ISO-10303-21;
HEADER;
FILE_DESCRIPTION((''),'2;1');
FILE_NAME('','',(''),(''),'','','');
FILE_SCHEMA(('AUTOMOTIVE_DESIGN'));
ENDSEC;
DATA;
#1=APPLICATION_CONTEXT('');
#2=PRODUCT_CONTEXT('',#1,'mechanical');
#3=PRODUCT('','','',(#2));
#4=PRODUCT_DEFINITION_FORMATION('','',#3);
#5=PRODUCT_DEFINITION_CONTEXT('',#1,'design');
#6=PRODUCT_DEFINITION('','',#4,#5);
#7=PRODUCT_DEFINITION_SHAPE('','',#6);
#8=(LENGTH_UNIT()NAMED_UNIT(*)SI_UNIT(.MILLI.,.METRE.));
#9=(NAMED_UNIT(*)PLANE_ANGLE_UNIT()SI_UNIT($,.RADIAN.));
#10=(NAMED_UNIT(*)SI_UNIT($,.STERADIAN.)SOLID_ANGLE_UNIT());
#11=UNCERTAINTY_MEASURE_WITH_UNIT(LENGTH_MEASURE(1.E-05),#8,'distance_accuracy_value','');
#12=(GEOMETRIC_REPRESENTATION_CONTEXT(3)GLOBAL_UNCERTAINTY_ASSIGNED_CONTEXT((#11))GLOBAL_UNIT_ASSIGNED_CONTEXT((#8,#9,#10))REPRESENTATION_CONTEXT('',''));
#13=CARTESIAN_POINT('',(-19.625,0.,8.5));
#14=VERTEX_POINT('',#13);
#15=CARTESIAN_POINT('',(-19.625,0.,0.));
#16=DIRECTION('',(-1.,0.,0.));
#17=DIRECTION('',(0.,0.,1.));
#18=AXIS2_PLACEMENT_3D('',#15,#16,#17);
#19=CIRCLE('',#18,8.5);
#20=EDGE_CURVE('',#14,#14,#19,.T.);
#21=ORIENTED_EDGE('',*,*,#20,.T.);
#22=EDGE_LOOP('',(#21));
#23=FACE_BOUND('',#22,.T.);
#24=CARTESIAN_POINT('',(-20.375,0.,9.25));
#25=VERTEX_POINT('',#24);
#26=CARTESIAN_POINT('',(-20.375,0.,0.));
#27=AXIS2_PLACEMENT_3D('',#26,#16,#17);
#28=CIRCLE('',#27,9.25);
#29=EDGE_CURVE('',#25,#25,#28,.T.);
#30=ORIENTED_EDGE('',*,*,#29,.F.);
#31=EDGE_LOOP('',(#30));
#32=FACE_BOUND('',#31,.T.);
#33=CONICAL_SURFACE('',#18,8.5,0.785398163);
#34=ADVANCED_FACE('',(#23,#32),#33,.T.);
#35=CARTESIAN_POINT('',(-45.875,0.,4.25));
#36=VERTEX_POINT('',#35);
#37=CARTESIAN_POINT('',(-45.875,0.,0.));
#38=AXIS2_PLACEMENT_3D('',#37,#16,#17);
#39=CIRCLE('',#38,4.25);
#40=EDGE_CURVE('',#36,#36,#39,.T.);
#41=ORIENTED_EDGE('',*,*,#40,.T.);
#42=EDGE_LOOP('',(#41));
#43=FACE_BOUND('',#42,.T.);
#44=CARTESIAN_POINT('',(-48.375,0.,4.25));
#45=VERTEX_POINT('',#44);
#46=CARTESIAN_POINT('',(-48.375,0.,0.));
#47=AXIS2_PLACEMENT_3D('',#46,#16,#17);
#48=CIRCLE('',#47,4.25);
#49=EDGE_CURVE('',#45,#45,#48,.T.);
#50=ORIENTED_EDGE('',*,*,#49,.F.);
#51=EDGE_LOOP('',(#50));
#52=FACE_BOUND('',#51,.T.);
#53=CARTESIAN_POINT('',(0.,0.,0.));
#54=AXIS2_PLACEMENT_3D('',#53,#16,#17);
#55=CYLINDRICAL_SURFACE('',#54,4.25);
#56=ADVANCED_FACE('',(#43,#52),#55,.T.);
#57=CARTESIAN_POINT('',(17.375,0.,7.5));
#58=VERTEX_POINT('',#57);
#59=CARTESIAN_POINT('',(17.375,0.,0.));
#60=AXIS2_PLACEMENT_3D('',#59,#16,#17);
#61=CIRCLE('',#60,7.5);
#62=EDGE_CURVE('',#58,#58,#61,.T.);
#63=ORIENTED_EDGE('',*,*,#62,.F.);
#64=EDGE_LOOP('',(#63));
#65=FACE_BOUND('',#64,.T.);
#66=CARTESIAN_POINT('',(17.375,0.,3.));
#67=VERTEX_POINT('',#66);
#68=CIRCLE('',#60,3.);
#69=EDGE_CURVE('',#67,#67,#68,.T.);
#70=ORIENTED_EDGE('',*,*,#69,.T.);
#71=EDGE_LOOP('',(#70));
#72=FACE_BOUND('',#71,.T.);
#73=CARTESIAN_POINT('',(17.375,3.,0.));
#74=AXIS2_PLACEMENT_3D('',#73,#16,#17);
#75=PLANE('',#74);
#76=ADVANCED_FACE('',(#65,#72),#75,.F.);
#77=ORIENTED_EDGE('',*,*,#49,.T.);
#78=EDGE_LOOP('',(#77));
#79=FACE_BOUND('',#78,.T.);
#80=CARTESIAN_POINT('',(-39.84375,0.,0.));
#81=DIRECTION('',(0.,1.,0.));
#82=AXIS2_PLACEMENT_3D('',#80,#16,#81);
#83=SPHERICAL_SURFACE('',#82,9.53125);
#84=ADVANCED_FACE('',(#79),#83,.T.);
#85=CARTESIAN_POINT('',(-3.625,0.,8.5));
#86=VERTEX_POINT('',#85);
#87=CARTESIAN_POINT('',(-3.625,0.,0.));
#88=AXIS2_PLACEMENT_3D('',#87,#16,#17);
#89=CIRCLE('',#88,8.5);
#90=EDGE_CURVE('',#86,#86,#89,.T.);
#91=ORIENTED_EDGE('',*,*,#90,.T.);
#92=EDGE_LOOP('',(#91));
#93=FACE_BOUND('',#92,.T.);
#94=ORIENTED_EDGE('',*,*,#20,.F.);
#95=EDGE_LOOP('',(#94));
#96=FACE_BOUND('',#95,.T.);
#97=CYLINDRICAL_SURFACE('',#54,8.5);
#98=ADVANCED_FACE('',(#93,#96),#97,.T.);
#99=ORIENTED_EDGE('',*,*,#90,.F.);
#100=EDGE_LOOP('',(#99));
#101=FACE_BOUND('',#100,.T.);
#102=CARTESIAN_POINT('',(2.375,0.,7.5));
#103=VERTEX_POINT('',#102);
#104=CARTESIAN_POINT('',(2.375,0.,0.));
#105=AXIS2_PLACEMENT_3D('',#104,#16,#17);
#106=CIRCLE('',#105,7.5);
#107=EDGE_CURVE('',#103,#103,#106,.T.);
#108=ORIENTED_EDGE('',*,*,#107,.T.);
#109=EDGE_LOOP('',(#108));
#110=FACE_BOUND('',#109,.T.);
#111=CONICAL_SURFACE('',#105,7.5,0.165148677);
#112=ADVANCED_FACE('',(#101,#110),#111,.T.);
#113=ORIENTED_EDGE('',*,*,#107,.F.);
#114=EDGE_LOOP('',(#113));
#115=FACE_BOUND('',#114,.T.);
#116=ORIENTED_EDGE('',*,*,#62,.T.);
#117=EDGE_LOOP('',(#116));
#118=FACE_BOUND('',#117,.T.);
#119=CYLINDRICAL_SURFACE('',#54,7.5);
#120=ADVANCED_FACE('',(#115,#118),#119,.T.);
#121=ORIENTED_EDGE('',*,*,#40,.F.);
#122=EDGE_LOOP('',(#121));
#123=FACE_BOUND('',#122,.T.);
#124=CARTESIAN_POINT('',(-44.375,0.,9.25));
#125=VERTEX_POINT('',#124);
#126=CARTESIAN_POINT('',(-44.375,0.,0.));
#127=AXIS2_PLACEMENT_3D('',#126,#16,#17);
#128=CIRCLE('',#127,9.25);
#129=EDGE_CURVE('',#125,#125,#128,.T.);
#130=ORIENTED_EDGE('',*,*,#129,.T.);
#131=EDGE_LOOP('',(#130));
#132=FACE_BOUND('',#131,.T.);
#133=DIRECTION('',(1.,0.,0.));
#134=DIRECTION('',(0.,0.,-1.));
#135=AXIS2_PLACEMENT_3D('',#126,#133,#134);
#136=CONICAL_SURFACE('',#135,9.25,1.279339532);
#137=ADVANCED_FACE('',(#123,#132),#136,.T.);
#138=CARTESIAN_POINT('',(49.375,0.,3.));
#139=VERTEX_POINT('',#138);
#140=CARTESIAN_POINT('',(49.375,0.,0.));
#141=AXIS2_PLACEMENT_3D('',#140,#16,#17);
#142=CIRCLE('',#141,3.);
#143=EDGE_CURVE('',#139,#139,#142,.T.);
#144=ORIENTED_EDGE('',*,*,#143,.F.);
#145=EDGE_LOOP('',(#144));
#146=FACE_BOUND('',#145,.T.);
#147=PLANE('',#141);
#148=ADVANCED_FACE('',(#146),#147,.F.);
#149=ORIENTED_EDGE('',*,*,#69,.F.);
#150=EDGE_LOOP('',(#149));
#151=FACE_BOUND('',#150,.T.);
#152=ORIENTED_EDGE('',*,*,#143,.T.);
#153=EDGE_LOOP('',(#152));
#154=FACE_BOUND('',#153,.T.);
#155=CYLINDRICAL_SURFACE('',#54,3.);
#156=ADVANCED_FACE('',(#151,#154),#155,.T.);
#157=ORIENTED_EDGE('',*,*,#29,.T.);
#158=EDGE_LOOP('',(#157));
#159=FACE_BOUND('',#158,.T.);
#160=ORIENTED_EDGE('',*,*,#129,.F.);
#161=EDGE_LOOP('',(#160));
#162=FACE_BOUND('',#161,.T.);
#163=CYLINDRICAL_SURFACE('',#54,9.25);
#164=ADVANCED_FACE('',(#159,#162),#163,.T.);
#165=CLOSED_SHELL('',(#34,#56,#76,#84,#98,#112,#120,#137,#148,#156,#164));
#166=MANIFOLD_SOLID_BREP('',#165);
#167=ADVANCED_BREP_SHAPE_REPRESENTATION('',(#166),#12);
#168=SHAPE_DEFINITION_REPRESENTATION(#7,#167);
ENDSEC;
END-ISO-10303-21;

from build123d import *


with BuildPart() as part:
    # Sketch1 → Revolve1 (revolve)
    with BuildSketch(Plane.XY):
        with BuildLine():
            Line((-49.375, 0), (49.375, 0))
            Line((49.375, 0), (49.375, 3))
            Line((49.375, 3), (17.375, 3))
            Line((17.375, 3), (17.375, 7.5))
            Line((17.375, 7.5), (2.375, 7.5))
            Line((2.375, 7.5), (-3.625, 8.5))
            Line((-3.625, 8.5), (-19.625, 8.5))
            Line((-19.625, 8.5), (-20.375, 9.25))
            Line((-20.375, 9.25), (-44.375, 9.25))
            Line((-44.375, 9.25), (-45.875, 4.25))
            Line((-45.875, 4.25), (-48.375, 4.25))
            ThreePointArc((-48.375, 4.25), (-49.121632386, 2.18303115), (-49.375, 0))
        make_face()
    revolve(axis=Axis((0, 0, 0), (1, 0, 0)))


solid = part.part
